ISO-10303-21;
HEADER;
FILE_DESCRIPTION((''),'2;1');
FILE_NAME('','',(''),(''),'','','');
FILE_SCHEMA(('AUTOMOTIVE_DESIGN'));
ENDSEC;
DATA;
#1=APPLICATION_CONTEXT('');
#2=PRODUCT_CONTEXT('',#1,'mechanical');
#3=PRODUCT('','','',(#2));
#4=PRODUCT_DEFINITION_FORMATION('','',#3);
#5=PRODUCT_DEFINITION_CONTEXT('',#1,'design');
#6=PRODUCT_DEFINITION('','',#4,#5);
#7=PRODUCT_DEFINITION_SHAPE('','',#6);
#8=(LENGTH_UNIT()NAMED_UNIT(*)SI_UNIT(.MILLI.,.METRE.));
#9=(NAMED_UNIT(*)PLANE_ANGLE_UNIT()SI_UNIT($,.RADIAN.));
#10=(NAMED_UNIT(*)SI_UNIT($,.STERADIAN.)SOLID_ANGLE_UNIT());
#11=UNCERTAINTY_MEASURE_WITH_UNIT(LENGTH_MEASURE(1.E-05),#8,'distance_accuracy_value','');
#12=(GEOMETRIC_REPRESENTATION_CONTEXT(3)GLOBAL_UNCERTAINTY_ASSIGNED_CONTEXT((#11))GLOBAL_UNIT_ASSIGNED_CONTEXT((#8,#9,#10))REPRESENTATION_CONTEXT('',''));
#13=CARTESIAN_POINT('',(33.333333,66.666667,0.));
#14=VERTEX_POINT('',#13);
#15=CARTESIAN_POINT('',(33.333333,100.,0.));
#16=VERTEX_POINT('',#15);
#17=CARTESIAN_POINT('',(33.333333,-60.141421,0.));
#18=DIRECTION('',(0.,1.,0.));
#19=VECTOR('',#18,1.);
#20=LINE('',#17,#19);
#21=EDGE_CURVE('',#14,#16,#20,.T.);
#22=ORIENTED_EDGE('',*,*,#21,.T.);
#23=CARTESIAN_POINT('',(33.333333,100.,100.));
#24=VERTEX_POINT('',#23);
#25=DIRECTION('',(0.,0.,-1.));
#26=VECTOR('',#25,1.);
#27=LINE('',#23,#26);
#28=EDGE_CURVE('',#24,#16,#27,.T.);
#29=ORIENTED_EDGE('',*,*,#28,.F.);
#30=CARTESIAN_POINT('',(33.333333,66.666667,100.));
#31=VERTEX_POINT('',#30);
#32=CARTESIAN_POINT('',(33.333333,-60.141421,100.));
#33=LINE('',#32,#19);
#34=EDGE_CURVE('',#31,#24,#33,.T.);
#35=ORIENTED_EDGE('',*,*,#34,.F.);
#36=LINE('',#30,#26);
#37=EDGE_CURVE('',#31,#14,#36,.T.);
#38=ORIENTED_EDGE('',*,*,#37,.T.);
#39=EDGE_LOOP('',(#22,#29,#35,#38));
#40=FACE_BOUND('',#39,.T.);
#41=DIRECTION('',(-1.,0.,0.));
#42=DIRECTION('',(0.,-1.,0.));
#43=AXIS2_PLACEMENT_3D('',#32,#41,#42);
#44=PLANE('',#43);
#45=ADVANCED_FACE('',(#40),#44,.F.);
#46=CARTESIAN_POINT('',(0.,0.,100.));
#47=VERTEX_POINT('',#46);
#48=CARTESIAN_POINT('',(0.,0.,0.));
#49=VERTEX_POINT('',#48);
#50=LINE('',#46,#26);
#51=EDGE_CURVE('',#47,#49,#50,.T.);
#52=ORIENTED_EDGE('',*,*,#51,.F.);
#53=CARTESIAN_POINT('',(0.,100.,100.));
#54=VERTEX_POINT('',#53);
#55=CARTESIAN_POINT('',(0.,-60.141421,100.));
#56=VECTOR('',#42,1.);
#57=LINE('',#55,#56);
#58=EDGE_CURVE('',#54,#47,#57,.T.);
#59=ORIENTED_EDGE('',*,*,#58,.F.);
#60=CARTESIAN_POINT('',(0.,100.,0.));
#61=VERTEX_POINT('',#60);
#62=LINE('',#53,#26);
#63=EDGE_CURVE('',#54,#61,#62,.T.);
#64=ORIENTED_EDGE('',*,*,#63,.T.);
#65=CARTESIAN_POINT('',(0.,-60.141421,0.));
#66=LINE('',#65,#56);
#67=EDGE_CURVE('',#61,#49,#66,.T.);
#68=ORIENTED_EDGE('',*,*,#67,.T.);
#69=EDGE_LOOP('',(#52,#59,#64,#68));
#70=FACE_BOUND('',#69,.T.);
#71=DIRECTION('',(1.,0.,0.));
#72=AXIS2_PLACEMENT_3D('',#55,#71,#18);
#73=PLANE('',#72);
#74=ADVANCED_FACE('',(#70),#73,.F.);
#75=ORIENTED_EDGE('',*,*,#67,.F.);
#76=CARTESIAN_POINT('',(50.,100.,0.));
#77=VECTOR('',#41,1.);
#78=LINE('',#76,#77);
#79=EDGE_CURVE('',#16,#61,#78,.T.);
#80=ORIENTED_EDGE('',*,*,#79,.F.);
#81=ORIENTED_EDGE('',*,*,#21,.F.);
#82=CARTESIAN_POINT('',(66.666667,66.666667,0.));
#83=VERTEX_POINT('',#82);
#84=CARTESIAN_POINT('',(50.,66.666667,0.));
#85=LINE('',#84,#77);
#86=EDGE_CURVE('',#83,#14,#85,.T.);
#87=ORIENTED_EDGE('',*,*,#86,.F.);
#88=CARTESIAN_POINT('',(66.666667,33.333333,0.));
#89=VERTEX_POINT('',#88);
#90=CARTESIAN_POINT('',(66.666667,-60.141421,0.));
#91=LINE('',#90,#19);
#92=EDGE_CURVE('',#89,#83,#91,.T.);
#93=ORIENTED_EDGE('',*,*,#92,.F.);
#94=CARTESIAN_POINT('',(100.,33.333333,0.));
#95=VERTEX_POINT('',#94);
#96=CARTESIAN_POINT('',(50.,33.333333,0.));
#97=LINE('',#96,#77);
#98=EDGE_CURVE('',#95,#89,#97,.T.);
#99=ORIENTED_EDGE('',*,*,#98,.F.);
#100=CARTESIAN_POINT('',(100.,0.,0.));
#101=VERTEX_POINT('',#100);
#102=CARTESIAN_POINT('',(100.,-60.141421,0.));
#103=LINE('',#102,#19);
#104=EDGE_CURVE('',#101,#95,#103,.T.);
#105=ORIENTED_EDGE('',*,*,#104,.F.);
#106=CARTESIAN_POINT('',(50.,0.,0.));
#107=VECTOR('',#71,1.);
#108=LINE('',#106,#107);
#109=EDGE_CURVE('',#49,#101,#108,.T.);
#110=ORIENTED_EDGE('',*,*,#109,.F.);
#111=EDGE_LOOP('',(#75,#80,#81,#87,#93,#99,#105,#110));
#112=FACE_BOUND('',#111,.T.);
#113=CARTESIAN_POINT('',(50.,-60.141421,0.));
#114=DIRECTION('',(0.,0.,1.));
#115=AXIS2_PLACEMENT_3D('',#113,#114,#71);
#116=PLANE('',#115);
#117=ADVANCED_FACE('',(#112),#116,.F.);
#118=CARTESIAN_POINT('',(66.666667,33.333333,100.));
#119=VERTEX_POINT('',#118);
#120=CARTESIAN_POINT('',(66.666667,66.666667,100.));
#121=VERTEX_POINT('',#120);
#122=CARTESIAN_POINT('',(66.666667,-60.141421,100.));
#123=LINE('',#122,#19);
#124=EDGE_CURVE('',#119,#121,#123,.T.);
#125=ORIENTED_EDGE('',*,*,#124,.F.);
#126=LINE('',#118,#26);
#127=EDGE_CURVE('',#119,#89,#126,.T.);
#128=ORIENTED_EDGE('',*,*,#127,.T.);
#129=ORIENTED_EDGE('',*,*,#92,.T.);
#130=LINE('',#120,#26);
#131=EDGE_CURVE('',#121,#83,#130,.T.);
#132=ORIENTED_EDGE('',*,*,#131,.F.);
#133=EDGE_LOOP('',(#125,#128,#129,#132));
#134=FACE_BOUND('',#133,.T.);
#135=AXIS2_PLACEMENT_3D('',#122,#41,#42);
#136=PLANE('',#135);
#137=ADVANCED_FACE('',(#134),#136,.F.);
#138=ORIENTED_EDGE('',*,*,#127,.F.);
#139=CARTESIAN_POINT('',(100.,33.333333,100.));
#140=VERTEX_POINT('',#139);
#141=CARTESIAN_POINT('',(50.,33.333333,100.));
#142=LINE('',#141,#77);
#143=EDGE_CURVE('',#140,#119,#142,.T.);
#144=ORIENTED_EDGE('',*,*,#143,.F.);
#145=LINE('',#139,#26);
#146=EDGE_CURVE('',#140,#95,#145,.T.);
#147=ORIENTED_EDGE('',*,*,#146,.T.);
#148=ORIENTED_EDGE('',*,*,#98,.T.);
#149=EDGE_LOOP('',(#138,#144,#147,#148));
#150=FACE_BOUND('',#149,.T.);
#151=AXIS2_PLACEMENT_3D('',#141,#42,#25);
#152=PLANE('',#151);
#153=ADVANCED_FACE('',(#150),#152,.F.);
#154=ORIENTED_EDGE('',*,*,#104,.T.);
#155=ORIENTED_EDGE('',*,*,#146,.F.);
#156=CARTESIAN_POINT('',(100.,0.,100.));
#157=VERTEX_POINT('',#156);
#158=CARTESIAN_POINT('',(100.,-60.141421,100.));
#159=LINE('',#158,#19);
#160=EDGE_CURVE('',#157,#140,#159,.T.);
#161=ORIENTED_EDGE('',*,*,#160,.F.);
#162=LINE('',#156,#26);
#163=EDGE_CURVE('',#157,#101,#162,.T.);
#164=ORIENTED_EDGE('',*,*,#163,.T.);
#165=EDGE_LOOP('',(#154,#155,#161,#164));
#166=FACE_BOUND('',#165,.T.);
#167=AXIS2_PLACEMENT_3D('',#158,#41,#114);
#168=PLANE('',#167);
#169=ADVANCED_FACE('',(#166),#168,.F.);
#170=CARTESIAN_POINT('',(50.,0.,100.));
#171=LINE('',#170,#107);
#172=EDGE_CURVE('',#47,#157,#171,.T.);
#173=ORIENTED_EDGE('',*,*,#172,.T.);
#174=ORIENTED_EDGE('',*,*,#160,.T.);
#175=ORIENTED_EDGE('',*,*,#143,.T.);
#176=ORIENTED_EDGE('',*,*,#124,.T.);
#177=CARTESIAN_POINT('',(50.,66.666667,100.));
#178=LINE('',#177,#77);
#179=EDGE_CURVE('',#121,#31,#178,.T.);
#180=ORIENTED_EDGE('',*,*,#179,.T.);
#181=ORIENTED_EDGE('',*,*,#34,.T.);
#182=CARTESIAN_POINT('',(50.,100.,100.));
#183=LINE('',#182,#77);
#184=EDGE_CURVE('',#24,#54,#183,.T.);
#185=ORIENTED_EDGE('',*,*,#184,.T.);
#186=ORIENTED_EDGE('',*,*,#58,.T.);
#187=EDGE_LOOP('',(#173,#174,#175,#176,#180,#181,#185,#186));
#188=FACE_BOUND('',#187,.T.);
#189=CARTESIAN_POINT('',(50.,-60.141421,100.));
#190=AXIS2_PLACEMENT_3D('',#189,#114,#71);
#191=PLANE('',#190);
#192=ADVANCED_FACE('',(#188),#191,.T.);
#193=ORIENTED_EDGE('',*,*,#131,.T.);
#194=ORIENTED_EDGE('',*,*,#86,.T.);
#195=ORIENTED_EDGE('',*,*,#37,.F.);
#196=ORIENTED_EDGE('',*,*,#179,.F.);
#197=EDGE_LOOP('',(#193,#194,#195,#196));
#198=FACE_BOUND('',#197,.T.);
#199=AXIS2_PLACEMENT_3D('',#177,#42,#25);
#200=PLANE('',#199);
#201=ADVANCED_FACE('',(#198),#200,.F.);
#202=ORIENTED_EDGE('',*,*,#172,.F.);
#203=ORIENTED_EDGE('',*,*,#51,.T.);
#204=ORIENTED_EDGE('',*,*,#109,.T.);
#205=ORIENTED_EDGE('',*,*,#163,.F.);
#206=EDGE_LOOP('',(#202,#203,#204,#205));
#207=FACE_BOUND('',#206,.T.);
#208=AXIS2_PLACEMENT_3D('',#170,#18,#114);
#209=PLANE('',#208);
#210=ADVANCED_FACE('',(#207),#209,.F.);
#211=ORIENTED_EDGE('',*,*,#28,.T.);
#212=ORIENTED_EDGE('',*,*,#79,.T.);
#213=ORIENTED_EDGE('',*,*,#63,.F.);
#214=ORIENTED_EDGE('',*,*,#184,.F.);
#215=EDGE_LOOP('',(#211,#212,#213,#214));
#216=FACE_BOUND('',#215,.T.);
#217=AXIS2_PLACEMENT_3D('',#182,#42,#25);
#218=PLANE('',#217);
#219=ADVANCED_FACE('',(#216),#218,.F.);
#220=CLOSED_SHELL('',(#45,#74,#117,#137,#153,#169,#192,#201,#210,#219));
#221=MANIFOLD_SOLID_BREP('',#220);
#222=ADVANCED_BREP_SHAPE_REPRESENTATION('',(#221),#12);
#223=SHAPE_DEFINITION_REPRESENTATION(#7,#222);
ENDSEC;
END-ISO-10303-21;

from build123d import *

# Parameters (mm, degrees)
EXTRUSION1_DEPTH = 100


with BuildPart() as part:
    # Esquisse1 → Extrusion1 (new body)
    with BuildSketch(Plane.XY):
        Polygon((33.333333333, 100), (0, 100), (0, 0), (100, 0), (100, 33.333333333), (66.666666667, 33.333333333), (66.666666667, 66.666666667), (33.333333333, 66.666666667), align=None)
    extrude(amount=EXTRUSION1_DEPTH)


solid = part.part
